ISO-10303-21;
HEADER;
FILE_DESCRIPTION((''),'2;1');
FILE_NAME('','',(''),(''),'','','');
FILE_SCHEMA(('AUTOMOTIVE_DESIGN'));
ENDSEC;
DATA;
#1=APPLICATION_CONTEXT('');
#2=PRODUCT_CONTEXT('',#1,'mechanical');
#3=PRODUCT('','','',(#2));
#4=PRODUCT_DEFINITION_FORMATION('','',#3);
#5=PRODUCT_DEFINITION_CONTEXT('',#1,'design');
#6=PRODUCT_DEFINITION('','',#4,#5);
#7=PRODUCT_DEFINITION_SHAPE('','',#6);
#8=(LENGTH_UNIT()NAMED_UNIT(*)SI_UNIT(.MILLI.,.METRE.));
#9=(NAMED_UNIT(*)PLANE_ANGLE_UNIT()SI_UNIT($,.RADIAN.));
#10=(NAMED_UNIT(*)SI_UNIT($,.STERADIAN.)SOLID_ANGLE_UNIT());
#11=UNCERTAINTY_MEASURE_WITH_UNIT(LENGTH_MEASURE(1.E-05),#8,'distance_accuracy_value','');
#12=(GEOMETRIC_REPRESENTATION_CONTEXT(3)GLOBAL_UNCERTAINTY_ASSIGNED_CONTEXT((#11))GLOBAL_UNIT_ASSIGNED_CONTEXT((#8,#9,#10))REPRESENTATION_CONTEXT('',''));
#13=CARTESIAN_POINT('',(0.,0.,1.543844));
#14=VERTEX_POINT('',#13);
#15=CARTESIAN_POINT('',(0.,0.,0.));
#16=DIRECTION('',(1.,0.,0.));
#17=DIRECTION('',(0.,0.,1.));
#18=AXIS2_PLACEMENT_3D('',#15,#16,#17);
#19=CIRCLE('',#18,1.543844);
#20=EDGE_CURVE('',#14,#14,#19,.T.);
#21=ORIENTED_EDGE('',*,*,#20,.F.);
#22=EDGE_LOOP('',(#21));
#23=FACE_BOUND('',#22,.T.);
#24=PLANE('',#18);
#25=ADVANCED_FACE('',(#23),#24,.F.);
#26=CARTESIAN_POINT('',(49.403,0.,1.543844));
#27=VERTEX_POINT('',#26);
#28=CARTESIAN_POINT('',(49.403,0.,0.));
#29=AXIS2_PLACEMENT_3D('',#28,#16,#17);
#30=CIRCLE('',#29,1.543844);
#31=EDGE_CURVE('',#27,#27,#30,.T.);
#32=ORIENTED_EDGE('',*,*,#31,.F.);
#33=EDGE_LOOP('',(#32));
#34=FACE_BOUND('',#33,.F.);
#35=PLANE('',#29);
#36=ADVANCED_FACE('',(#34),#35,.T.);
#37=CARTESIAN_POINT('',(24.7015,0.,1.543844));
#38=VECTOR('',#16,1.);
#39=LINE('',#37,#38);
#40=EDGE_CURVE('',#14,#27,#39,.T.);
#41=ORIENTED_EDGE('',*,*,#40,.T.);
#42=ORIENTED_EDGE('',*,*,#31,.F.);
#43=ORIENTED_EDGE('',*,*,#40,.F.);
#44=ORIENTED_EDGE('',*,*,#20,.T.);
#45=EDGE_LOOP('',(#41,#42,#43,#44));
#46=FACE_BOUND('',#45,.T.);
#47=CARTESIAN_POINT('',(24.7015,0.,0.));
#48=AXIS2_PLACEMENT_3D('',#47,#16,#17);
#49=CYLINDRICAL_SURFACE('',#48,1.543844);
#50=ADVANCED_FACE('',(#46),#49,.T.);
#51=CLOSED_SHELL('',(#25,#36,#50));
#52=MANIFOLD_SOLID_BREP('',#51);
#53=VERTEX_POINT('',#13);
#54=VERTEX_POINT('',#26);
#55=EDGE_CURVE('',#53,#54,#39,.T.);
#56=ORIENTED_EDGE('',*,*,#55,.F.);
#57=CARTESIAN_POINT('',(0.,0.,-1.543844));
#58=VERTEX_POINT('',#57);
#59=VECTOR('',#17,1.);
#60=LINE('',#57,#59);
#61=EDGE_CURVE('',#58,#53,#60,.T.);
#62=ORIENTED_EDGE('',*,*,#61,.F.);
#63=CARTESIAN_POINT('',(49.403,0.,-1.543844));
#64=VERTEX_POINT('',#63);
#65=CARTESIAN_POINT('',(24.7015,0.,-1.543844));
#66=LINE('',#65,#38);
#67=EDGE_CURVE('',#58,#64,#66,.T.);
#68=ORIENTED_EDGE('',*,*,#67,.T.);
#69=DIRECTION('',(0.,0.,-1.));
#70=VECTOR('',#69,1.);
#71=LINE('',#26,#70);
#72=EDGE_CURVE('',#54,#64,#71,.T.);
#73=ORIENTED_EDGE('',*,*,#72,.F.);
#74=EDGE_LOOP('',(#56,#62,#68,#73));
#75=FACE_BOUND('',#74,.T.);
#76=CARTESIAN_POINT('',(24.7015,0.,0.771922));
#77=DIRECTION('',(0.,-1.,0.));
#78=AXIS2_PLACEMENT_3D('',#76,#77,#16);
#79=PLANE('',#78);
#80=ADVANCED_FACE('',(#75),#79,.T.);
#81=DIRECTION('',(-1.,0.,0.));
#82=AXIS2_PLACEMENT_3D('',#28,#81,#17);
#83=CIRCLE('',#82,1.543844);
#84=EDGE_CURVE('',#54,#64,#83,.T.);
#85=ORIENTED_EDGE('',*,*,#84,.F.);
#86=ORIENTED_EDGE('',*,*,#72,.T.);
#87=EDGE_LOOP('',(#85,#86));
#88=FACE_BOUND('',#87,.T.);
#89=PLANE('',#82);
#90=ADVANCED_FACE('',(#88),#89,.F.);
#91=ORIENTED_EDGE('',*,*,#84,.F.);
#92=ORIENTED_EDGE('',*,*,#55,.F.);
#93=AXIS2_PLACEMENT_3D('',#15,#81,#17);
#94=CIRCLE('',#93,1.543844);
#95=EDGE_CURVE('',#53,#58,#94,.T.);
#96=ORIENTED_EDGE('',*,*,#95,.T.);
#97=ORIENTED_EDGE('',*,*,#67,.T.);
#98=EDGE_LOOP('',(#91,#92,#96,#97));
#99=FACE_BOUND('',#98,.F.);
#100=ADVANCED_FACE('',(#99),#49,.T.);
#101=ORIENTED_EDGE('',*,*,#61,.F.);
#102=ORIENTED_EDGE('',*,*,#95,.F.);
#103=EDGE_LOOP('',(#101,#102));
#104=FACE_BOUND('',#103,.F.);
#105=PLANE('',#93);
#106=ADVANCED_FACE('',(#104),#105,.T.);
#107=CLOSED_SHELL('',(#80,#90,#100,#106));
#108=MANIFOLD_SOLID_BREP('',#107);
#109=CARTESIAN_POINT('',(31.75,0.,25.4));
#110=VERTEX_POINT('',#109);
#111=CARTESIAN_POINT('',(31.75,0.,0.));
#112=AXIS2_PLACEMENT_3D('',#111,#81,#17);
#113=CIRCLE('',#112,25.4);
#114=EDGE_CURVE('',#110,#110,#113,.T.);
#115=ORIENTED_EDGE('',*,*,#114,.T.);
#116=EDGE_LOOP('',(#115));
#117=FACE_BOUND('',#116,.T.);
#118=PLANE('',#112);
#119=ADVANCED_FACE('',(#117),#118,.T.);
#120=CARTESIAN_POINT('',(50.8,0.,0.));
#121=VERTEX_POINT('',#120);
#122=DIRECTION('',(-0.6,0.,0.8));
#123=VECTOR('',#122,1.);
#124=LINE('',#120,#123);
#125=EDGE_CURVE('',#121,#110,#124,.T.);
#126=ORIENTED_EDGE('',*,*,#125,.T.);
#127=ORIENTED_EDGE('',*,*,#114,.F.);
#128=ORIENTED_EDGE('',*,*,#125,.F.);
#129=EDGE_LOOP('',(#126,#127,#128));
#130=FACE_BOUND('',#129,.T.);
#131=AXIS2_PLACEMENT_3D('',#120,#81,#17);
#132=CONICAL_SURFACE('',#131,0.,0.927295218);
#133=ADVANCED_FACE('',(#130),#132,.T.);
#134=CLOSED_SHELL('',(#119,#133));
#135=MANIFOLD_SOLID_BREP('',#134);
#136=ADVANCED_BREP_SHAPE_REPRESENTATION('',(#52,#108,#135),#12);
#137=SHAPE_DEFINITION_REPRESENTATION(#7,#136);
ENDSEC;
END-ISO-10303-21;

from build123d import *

# Parameters (mm, degrees)
F0_W     = 49.403
F0_H     = 1.543844
F4_ANGLE = 180


with BuildPart() as f1:
    # F0 (on Front) → F1 (revolve)
    with BuildSketch(Plane.XZ):
        with Locations((24.7015, 0.771922)):
            Rectangle(F0_W, F0_H)
    revolve(axis=Axis((24.7015, 0, 0), (1, 0, 0)))


with BuildPart() as f3:
    # F2 (on Front) → F3 (revolve)
    with BuildSketch(Plane.XZ):
        Polygon((31.75, 25.4), (31.75, 0), (50.8, 0), align=None)
    revolve(axis=Axis((41.275, 0, 0), (-1, 0, 0)))


with BuildPart() as f4:
    # F0 (on Front) → F4 (revolve)
    with BuildSketch(Plane.XZ):
        with Locations((24.7015, 0.771922)):
            Rectangle(F0_W, F0_H)
    revolve(axis=Axis((41.275, 0, 0), (-1, 0, 0)), revolution_arc=F4_ANGLE)


solid = Compound([f1.part, f3.part, f4.part])
